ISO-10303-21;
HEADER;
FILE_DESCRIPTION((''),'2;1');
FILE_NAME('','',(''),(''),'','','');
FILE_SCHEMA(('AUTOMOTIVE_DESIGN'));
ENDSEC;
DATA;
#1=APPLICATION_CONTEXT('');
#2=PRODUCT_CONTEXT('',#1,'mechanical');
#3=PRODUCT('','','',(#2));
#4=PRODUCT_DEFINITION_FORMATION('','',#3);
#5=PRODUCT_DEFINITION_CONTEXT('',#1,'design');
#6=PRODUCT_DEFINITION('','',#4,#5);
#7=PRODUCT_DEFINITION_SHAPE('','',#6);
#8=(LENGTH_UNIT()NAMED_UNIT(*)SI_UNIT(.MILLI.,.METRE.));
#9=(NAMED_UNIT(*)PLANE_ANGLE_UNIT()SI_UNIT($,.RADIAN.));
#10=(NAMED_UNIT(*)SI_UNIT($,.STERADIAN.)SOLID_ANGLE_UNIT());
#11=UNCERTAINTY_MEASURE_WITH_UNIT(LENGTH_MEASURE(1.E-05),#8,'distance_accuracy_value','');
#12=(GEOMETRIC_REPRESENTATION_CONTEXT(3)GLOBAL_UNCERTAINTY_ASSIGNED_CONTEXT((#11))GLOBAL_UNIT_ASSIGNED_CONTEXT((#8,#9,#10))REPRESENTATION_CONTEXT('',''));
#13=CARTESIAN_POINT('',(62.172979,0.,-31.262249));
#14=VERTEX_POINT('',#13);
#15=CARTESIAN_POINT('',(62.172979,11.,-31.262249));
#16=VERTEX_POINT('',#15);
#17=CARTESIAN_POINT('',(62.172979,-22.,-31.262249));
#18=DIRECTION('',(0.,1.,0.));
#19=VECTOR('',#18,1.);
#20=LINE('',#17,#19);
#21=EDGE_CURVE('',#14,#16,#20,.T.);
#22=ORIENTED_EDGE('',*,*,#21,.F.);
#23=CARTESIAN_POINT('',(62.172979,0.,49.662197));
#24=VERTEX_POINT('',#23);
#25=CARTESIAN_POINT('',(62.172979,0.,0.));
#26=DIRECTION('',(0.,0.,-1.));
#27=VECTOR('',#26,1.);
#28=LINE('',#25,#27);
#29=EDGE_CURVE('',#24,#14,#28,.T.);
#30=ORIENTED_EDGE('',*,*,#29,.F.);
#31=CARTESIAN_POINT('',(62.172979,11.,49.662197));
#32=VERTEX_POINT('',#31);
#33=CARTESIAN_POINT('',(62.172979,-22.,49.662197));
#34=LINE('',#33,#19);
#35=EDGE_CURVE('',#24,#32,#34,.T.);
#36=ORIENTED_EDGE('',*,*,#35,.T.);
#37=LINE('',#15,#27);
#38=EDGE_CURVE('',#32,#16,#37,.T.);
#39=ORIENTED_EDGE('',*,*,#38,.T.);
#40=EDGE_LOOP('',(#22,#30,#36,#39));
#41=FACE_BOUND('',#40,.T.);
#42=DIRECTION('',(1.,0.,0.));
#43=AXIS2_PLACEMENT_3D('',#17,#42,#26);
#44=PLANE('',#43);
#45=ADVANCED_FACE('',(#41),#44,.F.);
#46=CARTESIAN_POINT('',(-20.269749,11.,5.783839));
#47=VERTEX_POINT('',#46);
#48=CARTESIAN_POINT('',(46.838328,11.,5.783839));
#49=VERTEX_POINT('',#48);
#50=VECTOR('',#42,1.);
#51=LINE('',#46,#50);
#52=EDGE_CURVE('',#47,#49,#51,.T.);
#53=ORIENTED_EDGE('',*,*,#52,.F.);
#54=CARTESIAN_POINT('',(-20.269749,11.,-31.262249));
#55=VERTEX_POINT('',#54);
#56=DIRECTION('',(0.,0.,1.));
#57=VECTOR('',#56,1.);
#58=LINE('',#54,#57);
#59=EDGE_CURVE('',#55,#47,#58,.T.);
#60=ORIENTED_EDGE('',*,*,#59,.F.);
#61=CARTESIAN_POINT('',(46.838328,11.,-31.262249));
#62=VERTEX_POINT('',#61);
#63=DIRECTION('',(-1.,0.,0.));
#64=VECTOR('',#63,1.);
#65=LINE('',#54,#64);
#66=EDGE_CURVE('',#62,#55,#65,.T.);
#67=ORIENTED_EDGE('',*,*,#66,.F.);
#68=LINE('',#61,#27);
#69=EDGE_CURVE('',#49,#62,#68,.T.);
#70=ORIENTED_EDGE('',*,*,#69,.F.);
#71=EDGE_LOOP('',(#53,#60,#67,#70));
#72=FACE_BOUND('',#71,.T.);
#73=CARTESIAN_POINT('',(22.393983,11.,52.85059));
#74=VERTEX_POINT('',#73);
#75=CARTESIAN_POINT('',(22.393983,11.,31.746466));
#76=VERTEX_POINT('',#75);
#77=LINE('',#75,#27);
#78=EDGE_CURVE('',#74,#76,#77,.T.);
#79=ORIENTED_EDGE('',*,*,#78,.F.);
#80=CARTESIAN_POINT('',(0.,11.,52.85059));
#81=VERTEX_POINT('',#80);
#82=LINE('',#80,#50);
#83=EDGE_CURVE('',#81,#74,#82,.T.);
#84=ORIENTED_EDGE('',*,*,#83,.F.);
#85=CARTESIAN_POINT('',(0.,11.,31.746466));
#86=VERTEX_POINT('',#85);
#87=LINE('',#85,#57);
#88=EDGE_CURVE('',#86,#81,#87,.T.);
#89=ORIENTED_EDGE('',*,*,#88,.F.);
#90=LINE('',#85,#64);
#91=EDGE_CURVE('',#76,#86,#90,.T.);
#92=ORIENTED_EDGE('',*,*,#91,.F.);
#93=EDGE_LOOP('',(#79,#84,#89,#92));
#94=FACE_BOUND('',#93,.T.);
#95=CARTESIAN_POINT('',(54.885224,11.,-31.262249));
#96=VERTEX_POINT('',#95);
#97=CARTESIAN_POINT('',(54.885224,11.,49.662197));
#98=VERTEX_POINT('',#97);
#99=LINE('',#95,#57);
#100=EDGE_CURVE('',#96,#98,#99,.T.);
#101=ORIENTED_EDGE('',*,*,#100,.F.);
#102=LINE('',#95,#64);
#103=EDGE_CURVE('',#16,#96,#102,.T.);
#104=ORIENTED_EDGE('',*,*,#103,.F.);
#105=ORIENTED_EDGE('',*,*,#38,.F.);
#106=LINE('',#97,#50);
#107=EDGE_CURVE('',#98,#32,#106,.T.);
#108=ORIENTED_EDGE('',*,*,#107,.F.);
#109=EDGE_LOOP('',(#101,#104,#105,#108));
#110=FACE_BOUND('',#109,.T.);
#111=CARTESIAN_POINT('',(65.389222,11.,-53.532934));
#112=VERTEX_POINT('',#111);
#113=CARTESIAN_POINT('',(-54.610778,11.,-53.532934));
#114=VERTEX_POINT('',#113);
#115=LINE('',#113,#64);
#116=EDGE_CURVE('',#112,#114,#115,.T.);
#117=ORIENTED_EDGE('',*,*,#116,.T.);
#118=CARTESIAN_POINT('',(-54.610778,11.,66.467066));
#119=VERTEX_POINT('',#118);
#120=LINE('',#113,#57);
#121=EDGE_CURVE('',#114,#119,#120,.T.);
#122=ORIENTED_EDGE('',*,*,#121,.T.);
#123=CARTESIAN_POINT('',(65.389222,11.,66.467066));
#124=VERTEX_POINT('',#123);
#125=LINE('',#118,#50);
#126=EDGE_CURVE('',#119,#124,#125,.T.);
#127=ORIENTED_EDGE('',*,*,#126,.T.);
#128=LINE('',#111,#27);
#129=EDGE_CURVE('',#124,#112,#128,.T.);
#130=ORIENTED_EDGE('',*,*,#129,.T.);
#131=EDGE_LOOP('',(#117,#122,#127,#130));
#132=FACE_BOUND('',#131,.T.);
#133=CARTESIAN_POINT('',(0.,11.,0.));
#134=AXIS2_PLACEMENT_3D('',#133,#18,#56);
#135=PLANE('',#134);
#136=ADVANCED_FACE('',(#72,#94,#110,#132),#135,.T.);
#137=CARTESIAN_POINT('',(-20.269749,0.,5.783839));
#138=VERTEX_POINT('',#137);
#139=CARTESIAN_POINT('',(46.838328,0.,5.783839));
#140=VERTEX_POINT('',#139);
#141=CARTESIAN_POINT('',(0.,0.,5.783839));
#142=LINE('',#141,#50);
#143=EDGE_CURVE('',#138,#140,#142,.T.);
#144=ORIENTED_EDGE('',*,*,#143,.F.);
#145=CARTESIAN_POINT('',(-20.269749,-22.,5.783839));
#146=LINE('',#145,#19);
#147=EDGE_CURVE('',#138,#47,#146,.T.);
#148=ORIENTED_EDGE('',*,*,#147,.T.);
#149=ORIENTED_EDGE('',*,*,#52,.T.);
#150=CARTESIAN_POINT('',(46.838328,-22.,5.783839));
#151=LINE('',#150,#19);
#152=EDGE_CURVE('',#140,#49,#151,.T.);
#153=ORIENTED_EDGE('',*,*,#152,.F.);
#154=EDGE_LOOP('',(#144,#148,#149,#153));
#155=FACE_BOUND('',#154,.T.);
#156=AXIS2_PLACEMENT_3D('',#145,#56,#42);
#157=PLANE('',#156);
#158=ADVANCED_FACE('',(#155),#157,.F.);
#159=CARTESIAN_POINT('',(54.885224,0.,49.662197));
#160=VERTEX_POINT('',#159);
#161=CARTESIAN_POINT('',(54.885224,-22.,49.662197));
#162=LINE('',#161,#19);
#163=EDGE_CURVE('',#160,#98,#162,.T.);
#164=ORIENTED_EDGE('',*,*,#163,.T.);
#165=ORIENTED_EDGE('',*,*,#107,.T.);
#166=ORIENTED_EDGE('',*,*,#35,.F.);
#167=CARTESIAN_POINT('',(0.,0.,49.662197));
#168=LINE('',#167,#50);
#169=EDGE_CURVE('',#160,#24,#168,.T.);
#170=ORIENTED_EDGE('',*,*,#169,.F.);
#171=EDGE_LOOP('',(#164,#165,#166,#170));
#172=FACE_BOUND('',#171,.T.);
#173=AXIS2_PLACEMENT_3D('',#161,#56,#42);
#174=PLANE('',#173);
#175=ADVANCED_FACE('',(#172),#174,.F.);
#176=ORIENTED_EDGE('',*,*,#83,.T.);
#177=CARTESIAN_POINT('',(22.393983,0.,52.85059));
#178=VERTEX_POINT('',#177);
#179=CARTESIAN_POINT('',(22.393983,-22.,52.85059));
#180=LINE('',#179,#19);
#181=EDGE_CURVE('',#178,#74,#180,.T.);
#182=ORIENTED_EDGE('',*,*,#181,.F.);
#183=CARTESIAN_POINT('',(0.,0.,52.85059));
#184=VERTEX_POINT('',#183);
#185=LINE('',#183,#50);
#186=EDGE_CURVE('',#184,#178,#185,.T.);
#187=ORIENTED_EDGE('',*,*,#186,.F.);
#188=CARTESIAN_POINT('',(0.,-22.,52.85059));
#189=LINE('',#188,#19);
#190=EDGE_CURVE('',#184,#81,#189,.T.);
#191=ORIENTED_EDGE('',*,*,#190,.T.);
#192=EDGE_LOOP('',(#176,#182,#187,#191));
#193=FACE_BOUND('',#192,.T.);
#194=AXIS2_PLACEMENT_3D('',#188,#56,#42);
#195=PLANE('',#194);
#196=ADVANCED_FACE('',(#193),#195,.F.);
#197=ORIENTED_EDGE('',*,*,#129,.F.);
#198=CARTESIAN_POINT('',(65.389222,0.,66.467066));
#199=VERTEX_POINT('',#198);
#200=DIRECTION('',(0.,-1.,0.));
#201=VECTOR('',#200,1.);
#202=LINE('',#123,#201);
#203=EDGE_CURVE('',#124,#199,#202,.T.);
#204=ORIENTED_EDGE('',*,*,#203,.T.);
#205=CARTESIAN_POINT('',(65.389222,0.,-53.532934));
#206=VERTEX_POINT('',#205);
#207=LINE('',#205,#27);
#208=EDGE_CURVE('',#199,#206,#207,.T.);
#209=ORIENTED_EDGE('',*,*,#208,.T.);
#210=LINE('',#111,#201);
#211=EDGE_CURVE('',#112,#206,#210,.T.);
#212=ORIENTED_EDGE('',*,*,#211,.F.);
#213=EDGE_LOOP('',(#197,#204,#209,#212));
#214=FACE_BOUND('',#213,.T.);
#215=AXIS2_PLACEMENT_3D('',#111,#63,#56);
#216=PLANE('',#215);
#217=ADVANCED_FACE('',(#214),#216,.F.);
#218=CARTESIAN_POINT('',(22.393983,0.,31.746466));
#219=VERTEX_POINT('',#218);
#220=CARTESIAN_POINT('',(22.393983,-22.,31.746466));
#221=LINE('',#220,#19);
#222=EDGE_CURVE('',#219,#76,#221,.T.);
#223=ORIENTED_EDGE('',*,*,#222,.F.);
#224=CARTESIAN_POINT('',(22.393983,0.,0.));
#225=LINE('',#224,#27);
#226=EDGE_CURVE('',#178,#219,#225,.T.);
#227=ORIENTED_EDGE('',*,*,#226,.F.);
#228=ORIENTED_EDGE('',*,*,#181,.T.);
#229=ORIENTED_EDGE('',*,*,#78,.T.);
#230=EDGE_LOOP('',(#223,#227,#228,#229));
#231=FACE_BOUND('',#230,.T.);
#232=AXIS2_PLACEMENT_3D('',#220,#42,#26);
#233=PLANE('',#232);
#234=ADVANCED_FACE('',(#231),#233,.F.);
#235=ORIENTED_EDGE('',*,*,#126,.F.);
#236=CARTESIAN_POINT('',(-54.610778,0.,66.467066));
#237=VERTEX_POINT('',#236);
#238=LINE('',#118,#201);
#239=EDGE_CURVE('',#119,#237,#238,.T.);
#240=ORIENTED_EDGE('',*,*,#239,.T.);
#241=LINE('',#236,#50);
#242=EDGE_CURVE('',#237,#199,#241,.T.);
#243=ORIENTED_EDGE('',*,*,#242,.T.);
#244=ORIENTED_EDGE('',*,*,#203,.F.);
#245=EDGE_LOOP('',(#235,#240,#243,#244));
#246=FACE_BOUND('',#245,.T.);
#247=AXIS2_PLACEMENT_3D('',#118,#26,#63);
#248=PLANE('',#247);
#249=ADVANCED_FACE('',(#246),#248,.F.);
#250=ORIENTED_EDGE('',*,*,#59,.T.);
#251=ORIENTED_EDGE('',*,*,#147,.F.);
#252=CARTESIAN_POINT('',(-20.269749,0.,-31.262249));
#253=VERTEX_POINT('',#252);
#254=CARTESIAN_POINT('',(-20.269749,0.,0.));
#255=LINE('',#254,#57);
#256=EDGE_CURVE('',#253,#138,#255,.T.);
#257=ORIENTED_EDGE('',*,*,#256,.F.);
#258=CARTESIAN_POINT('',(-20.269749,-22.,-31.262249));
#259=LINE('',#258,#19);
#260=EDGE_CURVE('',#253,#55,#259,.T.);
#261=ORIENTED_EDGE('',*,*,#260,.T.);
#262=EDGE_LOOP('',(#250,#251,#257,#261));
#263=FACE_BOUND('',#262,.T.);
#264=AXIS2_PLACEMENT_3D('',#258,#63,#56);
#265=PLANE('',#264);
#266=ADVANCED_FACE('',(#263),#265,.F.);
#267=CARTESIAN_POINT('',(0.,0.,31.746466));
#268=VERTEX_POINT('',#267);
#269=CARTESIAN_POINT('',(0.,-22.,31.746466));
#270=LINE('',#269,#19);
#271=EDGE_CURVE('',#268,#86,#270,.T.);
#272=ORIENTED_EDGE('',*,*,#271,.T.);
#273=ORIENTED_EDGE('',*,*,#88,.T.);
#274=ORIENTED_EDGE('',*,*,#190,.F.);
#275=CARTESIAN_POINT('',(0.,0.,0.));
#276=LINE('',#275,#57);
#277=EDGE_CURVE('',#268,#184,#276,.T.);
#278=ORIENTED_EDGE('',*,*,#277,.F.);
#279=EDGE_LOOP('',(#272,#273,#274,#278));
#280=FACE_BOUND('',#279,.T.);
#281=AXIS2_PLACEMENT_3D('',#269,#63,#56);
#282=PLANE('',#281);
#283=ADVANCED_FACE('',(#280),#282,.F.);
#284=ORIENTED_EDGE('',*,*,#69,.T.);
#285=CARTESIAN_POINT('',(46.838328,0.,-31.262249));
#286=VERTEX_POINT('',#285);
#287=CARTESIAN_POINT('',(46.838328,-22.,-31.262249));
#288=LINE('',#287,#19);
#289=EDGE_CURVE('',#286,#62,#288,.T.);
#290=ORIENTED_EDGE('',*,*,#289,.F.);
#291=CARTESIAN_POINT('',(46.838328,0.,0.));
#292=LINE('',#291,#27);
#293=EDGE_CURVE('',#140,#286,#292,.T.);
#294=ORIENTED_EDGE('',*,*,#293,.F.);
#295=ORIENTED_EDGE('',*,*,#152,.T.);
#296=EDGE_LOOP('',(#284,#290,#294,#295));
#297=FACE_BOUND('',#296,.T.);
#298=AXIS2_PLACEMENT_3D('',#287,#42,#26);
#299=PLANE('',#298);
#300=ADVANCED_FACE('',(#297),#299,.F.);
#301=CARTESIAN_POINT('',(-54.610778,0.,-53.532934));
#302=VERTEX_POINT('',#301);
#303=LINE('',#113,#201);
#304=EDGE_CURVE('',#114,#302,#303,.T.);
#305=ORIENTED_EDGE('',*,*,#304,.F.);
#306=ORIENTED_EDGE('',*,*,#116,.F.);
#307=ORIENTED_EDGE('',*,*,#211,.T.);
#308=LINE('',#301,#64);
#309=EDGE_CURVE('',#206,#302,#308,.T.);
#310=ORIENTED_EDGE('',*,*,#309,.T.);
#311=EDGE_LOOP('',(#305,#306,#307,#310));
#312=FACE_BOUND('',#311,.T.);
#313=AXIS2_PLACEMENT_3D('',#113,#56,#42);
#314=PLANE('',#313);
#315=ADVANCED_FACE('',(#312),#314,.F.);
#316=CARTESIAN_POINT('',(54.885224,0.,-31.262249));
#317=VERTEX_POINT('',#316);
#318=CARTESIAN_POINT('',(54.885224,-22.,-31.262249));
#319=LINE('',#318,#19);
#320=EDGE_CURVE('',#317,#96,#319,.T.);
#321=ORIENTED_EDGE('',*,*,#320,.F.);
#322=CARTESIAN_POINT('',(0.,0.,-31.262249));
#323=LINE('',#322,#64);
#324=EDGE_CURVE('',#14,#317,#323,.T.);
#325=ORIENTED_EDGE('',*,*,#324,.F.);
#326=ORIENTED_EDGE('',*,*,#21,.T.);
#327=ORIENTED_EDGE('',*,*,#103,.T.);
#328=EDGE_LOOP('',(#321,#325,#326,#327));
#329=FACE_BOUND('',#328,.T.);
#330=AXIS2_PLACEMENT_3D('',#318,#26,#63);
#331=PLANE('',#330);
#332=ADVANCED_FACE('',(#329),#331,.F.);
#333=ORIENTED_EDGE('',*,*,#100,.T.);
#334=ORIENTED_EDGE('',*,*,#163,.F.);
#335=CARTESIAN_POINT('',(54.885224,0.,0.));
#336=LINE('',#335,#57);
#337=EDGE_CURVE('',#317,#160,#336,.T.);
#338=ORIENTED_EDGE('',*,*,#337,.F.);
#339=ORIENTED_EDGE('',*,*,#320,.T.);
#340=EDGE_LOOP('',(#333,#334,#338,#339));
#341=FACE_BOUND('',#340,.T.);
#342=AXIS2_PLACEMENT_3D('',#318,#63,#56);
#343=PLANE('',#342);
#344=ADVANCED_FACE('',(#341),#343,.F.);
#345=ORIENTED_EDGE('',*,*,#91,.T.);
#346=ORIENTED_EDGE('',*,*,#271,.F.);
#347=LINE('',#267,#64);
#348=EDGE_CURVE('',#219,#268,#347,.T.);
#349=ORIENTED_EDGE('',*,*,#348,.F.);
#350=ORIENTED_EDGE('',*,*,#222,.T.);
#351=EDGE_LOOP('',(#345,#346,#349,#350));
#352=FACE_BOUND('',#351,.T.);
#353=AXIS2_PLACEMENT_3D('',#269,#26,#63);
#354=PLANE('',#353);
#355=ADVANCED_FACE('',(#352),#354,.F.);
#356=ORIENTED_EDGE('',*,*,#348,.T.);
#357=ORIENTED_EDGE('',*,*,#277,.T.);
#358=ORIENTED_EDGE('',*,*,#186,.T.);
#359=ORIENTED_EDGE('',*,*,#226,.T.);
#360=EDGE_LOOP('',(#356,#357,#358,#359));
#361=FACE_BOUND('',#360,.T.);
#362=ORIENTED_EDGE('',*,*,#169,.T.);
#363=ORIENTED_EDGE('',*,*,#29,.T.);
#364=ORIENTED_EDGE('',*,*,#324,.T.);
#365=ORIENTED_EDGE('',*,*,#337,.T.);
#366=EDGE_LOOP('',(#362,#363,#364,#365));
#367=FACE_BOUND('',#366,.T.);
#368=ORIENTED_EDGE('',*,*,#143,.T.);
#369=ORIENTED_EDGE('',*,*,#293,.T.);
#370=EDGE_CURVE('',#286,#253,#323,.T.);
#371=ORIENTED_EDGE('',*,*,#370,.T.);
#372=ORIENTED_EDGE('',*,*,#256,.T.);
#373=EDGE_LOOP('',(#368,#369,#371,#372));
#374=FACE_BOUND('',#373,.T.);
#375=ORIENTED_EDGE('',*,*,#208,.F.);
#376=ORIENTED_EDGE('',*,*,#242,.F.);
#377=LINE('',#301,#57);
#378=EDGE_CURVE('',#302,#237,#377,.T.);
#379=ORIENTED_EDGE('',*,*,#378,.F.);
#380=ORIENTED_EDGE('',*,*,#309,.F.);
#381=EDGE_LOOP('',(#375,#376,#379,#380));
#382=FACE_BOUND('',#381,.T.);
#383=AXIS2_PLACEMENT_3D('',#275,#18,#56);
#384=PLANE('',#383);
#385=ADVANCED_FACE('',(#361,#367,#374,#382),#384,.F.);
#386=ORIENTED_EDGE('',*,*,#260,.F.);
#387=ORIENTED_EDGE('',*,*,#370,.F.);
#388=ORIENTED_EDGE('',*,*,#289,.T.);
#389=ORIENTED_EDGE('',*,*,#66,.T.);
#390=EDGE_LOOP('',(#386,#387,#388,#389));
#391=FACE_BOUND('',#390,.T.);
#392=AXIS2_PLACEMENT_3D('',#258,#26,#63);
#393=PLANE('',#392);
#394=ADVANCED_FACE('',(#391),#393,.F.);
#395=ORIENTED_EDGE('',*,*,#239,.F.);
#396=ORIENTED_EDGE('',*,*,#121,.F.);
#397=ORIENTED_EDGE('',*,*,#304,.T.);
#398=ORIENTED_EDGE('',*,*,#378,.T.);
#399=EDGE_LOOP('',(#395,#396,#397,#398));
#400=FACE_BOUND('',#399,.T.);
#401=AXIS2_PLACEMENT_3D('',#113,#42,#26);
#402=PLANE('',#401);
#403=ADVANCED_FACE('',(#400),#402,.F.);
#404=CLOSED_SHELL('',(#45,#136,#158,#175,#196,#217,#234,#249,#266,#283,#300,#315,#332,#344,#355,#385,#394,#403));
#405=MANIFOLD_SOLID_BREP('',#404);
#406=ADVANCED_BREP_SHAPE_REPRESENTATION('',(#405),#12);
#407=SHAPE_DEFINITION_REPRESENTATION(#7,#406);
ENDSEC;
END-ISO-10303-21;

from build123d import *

# Parameters (mm, degrees)
SKETCH2_W           = 120
SKETCH2_H           = 120
BOSS_EXTRUDE1_DEPTH = 11
SKETCH3_W           = 67.10807739
SKETCH3_H           = 37.046087971
SKETCH3_W_2         = 22.393983248
SKETCH3_H_2         = 21.104123885
SKETCH3_W_3         = 7.28775501
SKETCH3_H_3         = 80.924446264
CUT_EXTRUDE1_DEPTH  = 33


with BuildPart() as part:
    # Sketch2 → Boss-Extrude1 (new body)
    with BuildSketch(Plane(origin=(0, 0, 0), x_dir=(1, 0, 0), z_dir=(0, 1, 0))):
        with Locations((5.389221557, -6.467065868)):
            Rectangle(SKETCH2_W, SKETCH2_H)
    extrude(amount=BOSS_EXTRUDE1_DEPTH)

    # Sketch3 → Cut-Extrude1 (cut)
    with BuildSketch(Plane(origin=(0, 11, 0), x_dir=(1, 0, 0), z_dir=(0, 1, 0))):
        with Locations((13.284289485, 12.73920515)):
            Rectangle(SKETCH3_W, SKETCH3_H)
        with Locations((11.196991624, -42.298528004)):
            Rectangle(SKETCH3_W_2, SKETCH3_H_2)
        with Locations((58.529101843, -9.199973997)):
            Rectangle(SKETCH3_W_3, SKETCH3_H_3)
    extrude(amount=-CUT_EXTRUDE1_DEPTH, mode=Mode.SUBTRACT)


solid = part.part
